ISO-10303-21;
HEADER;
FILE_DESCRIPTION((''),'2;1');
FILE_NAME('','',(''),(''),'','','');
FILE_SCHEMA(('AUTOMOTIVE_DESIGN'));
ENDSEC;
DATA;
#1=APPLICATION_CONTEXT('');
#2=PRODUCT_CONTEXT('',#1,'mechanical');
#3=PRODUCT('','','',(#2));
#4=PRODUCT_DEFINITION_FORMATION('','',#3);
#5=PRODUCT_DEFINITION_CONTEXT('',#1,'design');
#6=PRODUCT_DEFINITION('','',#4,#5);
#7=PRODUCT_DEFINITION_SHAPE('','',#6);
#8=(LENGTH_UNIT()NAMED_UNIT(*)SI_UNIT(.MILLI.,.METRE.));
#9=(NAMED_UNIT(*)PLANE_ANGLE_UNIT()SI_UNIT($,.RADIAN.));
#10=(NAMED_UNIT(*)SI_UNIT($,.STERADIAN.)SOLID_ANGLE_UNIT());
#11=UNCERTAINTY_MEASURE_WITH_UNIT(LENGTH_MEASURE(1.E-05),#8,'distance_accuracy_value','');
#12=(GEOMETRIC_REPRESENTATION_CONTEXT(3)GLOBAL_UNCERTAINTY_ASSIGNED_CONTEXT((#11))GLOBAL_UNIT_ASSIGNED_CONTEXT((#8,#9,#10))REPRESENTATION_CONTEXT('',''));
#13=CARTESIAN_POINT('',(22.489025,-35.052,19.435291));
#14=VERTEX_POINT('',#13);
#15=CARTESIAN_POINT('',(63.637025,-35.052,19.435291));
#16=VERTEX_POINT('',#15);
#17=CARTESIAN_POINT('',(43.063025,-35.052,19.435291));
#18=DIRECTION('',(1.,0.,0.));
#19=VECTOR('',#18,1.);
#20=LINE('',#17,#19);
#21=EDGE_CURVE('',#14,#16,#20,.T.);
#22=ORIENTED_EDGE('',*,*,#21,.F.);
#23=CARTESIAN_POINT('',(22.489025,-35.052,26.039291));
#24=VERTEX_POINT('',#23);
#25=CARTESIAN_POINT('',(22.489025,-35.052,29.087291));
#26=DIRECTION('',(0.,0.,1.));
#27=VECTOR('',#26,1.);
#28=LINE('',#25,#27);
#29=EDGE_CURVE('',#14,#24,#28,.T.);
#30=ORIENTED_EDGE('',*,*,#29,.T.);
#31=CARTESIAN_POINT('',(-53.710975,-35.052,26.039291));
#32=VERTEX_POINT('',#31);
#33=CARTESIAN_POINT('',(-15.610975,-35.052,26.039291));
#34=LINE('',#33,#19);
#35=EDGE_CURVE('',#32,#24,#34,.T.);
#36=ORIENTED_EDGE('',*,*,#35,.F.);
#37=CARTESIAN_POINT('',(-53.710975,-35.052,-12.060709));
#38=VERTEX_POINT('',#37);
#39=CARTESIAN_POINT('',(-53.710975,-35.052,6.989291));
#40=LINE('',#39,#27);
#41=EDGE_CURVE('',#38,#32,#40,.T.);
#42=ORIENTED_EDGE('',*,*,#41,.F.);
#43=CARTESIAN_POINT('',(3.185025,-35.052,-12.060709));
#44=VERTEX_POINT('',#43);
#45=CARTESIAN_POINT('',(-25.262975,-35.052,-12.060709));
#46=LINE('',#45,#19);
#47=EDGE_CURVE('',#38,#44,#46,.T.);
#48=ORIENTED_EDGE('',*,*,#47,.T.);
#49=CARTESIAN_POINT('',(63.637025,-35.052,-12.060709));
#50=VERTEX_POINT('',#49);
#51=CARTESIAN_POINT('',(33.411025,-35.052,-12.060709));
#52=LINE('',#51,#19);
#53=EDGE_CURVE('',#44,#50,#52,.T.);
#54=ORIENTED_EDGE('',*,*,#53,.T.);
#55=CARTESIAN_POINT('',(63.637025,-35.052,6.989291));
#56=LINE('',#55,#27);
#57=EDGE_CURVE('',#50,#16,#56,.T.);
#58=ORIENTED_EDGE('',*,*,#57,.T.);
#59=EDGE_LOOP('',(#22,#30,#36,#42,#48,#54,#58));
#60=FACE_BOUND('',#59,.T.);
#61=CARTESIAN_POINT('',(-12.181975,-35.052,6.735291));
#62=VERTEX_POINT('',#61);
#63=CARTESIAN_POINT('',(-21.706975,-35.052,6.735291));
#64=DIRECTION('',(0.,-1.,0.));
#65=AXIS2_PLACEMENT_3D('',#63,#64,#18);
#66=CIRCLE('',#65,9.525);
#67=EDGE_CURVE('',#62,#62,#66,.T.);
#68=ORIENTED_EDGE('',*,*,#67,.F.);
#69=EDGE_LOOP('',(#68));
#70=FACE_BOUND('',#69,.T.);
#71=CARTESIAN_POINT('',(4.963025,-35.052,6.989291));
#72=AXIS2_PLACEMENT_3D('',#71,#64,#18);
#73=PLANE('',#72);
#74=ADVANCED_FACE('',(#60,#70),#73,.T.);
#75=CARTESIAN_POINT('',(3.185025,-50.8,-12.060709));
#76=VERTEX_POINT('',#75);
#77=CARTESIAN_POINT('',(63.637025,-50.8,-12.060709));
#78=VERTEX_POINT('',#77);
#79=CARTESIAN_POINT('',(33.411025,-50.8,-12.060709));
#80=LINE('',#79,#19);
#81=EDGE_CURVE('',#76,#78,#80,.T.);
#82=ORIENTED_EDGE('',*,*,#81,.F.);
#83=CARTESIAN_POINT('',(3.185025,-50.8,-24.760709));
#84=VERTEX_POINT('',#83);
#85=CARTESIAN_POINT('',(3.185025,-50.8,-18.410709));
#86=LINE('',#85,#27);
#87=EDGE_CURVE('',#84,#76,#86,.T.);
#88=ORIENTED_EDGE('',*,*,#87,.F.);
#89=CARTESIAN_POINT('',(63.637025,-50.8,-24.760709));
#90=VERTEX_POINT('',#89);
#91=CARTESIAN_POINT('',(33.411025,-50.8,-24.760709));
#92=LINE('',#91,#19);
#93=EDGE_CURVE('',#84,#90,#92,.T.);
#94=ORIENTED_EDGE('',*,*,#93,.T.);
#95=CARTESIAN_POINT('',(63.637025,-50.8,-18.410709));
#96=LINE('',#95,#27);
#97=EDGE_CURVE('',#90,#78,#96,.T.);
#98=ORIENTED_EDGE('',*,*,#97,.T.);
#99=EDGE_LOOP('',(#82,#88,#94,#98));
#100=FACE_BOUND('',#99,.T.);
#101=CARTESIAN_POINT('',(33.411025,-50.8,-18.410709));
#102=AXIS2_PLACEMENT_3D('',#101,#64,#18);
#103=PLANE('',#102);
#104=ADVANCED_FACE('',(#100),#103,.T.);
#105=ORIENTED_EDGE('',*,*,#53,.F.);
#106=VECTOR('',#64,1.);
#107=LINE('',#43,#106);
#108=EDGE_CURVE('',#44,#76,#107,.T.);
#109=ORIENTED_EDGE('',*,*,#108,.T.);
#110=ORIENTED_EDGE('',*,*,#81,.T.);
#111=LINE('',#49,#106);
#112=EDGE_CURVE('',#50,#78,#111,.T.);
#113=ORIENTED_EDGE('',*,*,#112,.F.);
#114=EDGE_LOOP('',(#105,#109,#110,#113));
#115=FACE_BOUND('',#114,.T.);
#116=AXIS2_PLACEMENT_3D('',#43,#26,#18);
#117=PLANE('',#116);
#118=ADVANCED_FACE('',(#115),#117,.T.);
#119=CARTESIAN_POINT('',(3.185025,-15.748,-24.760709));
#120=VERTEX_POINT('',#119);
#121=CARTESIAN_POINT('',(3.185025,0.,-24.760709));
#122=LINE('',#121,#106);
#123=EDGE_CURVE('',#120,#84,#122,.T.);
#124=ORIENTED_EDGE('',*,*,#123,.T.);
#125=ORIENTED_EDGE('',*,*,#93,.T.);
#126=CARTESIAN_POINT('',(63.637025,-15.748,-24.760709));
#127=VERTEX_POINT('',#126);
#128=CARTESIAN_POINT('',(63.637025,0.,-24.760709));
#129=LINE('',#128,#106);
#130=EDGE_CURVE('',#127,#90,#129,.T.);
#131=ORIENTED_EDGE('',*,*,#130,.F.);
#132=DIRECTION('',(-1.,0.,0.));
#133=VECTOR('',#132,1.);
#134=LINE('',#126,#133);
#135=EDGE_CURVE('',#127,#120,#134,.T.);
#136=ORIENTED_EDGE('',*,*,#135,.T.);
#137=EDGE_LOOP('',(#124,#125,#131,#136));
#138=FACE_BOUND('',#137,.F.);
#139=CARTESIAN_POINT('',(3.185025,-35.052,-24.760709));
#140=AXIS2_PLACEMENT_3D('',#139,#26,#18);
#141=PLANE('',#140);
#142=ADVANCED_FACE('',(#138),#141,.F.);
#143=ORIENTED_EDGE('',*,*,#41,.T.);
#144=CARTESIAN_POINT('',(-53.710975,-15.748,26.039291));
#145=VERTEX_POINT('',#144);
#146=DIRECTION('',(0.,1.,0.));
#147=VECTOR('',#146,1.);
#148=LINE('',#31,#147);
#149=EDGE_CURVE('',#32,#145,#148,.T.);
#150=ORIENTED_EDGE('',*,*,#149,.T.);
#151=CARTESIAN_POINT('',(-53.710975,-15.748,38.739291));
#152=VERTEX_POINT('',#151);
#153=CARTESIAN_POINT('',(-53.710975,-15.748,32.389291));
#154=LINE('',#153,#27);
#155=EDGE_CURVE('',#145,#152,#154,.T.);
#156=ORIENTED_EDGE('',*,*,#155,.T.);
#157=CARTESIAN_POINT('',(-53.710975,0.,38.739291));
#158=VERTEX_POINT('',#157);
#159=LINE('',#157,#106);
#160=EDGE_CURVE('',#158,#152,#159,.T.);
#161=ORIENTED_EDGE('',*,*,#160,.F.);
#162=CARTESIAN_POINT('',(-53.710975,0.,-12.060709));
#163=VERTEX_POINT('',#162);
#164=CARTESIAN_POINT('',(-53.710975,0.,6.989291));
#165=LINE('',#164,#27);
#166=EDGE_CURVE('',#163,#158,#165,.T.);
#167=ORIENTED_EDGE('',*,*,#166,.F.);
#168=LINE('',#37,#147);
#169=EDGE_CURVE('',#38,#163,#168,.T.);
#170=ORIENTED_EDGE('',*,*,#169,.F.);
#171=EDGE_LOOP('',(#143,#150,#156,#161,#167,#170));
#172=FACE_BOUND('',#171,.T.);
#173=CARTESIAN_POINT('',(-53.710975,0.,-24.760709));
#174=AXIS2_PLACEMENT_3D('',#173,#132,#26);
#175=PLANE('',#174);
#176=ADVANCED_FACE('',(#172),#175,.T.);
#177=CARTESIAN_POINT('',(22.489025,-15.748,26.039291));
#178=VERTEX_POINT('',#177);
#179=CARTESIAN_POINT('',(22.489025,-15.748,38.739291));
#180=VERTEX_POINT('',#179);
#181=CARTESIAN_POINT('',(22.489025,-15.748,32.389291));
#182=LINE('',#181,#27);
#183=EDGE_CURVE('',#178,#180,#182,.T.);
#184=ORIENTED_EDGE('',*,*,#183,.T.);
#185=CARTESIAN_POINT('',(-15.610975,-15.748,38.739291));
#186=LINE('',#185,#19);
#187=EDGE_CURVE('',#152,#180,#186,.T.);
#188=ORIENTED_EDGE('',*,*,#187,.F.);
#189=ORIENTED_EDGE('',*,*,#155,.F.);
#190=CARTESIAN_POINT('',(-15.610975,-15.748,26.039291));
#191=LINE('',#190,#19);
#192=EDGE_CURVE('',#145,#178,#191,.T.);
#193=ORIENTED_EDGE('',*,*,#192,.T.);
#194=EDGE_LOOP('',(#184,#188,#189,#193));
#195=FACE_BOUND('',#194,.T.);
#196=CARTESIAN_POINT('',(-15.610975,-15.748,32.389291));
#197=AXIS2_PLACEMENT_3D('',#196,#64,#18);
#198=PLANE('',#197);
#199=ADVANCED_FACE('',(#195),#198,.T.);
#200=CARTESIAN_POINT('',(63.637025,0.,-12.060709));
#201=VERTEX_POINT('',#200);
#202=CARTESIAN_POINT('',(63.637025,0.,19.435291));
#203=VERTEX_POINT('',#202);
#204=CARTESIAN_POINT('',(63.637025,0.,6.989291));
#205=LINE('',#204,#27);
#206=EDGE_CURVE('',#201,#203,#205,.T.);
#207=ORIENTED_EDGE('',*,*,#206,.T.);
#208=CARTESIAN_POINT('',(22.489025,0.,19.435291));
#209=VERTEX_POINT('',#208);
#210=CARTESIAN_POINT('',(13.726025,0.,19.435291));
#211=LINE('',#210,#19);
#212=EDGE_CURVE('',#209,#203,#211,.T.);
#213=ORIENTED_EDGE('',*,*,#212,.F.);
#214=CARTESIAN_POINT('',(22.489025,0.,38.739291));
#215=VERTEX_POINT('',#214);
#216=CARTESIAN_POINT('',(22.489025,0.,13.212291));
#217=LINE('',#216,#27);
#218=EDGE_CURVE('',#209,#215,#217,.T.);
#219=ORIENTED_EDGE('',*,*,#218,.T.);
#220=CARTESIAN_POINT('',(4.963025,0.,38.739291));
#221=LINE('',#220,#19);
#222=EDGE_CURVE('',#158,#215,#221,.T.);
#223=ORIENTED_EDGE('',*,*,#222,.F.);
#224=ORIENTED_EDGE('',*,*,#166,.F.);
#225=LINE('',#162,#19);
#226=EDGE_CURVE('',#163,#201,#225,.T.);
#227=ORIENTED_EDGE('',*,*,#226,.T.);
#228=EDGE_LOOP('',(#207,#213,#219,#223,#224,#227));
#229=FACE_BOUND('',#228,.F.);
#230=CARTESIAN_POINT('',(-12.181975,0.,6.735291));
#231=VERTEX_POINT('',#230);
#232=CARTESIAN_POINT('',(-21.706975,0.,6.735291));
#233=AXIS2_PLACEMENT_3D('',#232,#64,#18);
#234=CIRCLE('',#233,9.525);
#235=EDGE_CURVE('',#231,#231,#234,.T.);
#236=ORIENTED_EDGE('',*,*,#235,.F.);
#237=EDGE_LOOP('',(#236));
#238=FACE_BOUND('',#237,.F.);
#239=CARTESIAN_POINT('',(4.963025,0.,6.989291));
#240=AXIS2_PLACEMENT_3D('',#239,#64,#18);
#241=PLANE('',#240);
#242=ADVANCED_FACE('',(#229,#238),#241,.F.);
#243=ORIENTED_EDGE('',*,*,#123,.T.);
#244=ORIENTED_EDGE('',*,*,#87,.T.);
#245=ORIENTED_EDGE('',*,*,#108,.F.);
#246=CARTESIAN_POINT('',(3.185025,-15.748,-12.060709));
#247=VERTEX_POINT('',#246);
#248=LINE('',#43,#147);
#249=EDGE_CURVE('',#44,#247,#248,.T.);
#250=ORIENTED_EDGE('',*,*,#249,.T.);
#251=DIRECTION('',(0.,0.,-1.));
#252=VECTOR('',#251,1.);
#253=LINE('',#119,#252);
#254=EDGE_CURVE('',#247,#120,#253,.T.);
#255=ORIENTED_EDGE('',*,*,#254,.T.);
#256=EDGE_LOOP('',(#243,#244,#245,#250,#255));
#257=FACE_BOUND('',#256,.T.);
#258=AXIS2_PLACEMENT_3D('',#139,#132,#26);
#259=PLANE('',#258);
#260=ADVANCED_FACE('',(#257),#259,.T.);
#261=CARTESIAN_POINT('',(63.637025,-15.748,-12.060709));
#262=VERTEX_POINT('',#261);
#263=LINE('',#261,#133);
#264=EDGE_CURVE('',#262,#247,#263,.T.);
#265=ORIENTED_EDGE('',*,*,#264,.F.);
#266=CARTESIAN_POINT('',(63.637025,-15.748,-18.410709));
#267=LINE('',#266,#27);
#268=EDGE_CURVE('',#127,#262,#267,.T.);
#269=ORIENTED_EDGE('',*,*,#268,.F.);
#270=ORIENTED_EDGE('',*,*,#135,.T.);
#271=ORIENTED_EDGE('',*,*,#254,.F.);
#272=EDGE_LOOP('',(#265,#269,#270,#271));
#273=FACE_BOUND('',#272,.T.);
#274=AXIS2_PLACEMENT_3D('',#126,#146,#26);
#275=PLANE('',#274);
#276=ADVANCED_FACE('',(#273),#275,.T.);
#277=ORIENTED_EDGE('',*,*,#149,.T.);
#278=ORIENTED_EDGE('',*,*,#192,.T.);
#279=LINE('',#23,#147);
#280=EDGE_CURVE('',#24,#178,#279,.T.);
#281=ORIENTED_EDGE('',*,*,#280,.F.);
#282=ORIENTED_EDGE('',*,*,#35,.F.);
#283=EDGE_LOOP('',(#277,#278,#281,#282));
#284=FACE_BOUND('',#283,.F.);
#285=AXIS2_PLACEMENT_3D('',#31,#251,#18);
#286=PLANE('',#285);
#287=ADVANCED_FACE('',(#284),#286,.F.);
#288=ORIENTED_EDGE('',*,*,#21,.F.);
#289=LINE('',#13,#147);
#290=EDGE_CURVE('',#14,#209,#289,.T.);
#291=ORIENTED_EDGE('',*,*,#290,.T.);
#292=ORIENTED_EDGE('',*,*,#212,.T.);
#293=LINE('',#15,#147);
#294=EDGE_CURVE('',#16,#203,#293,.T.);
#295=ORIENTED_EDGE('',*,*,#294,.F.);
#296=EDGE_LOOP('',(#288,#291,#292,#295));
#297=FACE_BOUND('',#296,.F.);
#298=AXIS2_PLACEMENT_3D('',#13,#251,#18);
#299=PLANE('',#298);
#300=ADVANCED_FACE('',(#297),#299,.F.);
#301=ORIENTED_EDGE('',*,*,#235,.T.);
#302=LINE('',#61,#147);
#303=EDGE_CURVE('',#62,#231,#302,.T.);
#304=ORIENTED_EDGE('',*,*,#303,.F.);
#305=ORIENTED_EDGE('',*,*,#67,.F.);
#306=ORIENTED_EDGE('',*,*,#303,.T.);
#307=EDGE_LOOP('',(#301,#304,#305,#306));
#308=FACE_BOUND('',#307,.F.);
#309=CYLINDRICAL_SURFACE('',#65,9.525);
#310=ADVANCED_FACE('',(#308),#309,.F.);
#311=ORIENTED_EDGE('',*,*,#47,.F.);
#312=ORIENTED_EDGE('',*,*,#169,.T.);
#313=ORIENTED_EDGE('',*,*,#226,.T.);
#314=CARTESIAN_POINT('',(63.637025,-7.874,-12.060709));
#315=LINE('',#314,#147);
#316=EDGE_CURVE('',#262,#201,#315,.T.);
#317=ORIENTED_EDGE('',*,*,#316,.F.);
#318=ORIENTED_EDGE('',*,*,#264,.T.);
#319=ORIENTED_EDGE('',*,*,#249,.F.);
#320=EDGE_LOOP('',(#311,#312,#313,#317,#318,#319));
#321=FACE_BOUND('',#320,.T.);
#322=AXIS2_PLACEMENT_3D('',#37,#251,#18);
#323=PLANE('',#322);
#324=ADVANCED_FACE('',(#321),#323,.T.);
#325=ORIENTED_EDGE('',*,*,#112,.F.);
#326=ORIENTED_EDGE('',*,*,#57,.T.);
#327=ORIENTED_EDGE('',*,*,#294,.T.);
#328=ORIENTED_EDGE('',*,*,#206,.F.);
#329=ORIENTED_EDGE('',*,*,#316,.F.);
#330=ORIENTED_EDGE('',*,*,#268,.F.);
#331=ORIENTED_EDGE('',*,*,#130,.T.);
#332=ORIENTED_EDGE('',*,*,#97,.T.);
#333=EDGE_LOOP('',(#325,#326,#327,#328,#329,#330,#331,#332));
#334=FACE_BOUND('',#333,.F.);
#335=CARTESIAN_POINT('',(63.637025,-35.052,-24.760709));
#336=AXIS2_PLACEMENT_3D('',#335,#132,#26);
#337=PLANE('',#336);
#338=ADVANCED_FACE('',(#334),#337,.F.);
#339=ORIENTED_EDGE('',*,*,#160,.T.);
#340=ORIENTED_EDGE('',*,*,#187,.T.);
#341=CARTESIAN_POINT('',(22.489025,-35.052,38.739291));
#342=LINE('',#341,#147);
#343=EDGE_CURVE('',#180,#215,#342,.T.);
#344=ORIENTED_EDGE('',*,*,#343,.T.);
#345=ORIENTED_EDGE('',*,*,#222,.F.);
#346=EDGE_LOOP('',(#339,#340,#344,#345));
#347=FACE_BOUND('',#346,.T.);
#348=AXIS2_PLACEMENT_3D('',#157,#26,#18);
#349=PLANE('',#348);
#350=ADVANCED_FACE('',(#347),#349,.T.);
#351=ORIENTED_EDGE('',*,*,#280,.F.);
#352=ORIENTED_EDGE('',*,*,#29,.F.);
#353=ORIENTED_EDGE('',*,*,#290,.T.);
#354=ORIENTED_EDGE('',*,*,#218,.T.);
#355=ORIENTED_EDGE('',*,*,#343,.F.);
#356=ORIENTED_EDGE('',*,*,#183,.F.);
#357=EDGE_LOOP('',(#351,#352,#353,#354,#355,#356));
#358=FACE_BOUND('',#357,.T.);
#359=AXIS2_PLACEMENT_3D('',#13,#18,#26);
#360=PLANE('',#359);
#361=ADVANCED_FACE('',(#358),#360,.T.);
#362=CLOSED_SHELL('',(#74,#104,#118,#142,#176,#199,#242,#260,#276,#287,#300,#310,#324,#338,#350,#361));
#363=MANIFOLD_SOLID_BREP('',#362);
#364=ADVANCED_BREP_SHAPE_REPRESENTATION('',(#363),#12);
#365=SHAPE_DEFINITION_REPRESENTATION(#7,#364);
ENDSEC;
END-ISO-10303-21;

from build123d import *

# Parameters (mm, degrees)
F0_W      = 117.348
F0_H      = 63.5
F1_DEPTH  = 35.052
F2_W      = 60.452
F2_H      = 12.7
F3_DEPTH  = 15.748
F2_W_2    = 56.896
F4_DEPTH  = 35.053
F2_W_3    = 76.2
F5_DEPTH  = 19.304
F6_W      = 41.148
F6_H      = 19.304
F7_DEPTH  = 35.053
F8_W      = 15.748
F8_H      = 12.7
F9_DEPTH  = 117.349
F10_R     = 9.525
F11_DEPTH = 35.053


with BuildPart() as f1:
    # F0 (on Front) → F1 (new body)
    with BuildSketch(Plane.XZ):
        with Locations((4.963025, 6.989291)):
            Rectangle(F0_W, F0_H)
    extrude(amount=F1_DEPTH)

    # F2 (on face) → F3 (join)
    with BuildSketch(Plane.XZ.offset(35.052)):
        with Locations((33.411025, -18.410709)):
            Rectangle(F2_W, F2_H)
    extrude(amount=F3_DEPTH)

    # F2 (on face) → F4 (cut, through all)
    with BuildSketch(Plane.XZ.offset(35.052)):
        with Locations((-25.262975, -18.410709)):
            Rectangle(F2_W_2, F2_H)
    extrude(amount=-F4_DEPTH, mode=Mode.SUBTRACT)

    # F2 (on face) → F5 (cut)
    with BuildSketch(Plane.XZ.offset(35.052)):
        with Locations((-15.610975, 32.389291)):
            Rectangle(F2_W_3, F2_H)
    extrude(amount=-F5_DEPTH, mode=Mode.SUBTRACT)

    # F6 (on face) → F7 (cut, through all)
    with BuildSketch(Plane.XZ.offset(35.052)):
        with Locations((43.063025, 29.087291)):
            Rectangle(F6_W, F6_H)
    extrude(amount=-F7_DEPTH, mode=Mode.SUBTRACT)

    # F8 (on face) → F9 (cut, through all)
    with BuildSketch(Plane.YZ.offset(63.637025)):
        with Locations((-7.874, -18.410709)):
            Rectangle(F8_W, F8_H)
    extrude(amount=-F9_DEPTH, mode=Mode.SUBTRACT)

    # F10 (on face) → F11 (cut, through all)
    with BuildSketch(Plane.XZ.offset(35.052)):
        with Locations((-21.706975, 6.735291)):
            Circle(F10_R)
    extrude(amount=-F11_DEPTH, mode=Mode.SUBTRACT)


solid = f1.part
